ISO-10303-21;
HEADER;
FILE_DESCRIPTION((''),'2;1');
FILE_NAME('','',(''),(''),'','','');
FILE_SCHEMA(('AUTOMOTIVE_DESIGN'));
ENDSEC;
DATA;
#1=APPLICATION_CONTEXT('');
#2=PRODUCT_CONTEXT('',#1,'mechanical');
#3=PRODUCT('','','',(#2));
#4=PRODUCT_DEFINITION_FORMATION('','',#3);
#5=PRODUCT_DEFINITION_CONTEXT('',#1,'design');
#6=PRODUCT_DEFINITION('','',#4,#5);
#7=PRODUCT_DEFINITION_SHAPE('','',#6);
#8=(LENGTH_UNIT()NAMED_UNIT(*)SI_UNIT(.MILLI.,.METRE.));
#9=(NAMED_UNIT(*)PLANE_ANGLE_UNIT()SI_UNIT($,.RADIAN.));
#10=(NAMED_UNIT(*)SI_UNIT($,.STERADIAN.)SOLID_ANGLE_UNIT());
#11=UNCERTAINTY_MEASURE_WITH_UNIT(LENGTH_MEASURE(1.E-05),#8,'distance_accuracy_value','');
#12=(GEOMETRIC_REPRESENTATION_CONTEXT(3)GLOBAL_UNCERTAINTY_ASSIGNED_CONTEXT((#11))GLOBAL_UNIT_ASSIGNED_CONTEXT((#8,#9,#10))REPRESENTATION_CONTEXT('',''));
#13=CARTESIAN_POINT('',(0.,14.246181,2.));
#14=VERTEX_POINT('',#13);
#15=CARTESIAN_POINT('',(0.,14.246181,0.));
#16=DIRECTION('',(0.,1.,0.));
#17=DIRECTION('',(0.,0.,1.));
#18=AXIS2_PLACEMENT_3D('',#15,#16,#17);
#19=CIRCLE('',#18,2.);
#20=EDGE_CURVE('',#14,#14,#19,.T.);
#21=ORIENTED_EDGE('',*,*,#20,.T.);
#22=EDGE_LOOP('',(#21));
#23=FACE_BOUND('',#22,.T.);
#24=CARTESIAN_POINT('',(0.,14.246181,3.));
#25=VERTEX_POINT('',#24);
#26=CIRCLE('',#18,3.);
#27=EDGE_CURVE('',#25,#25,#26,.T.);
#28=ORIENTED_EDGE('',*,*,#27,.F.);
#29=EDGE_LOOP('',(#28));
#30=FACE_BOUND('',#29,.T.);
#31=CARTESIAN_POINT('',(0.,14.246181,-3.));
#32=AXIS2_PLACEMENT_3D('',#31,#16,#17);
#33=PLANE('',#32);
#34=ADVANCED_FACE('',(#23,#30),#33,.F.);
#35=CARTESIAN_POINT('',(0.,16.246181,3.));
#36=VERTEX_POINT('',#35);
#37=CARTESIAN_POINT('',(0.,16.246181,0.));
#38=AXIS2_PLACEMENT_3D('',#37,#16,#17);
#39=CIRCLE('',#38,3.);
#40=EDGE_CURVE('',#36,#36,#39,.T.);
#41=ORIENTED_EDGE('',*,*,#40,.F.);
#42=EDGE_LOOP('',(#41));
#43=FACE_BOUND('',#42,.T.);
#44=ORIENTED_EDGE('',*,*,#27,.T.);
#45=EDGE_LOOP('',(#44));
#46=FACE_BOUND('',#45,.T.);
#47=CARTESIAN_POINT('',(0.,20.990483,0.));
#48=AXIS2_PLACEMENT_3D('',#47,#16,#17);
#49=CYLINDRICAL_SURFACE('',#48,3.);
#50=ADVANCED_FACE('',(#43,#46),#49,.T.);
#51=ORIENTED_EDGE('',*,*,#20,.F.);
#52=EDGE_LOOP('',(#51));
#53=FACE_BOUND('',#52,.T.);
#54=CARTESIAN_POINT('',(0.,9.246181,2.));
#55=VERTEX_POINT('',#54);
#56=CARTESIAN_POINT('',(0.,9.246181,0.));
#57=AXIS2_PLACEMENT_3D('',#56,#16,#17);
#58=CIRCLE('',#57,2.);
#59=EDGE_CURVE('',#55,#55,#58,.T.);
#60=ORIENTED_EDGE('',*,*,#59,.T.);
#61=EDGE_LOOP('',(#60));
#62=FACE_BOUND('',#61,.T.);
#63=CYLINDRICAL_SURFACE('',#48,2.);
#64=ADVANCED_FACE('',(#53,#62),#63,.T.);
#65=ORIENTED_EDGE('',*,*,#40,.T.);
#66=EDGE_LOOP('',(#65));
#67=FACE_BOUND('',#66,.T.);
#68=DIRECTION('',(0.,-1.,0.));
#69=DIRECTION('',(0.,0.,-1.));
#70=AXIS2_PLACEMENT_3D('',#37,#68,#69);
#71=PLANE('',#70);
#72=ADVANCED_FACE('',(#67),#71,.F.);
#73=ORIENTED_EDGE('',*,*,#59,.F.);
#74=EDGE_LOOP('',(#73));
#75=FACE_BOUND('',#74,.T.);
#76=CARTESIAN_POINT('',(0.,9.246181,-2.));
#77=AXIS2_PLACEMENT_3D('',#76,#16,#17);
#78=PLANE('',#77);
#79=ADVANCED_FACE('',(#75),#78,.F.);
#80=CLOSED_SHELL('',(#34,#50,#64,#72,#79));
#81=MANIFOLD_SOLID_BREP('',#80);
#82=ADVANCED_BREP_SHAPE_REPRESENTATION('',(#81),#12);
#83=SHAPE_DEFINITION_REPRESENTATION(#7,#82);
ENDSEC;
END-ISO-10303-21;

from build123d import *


with BuildPart() as part:
    # 스케치1 → 회전1 (revolve)
    with BuildSketch(Plane(origin=(0, 0, 0), x_dir=(0, 0, -1), z_dir=(1, 0, 0)), mode=Mode.PRIVATE) as revolve_1_sk:
        Polygon((0, 16.246180973), (3, 16.246180973), (3, 14.246180973), (2, 14.246180973), (2, 9.246180973), (0, 9.246180973), align=None)
    revolve(revolve_1_sk.sketch.rotate(Axis((0, 20.990482646, 0), (0, -1, 0)), 180), axis=Axis((0, 20.990482646, 0), (0, -1, 0)))


solid = part.part
